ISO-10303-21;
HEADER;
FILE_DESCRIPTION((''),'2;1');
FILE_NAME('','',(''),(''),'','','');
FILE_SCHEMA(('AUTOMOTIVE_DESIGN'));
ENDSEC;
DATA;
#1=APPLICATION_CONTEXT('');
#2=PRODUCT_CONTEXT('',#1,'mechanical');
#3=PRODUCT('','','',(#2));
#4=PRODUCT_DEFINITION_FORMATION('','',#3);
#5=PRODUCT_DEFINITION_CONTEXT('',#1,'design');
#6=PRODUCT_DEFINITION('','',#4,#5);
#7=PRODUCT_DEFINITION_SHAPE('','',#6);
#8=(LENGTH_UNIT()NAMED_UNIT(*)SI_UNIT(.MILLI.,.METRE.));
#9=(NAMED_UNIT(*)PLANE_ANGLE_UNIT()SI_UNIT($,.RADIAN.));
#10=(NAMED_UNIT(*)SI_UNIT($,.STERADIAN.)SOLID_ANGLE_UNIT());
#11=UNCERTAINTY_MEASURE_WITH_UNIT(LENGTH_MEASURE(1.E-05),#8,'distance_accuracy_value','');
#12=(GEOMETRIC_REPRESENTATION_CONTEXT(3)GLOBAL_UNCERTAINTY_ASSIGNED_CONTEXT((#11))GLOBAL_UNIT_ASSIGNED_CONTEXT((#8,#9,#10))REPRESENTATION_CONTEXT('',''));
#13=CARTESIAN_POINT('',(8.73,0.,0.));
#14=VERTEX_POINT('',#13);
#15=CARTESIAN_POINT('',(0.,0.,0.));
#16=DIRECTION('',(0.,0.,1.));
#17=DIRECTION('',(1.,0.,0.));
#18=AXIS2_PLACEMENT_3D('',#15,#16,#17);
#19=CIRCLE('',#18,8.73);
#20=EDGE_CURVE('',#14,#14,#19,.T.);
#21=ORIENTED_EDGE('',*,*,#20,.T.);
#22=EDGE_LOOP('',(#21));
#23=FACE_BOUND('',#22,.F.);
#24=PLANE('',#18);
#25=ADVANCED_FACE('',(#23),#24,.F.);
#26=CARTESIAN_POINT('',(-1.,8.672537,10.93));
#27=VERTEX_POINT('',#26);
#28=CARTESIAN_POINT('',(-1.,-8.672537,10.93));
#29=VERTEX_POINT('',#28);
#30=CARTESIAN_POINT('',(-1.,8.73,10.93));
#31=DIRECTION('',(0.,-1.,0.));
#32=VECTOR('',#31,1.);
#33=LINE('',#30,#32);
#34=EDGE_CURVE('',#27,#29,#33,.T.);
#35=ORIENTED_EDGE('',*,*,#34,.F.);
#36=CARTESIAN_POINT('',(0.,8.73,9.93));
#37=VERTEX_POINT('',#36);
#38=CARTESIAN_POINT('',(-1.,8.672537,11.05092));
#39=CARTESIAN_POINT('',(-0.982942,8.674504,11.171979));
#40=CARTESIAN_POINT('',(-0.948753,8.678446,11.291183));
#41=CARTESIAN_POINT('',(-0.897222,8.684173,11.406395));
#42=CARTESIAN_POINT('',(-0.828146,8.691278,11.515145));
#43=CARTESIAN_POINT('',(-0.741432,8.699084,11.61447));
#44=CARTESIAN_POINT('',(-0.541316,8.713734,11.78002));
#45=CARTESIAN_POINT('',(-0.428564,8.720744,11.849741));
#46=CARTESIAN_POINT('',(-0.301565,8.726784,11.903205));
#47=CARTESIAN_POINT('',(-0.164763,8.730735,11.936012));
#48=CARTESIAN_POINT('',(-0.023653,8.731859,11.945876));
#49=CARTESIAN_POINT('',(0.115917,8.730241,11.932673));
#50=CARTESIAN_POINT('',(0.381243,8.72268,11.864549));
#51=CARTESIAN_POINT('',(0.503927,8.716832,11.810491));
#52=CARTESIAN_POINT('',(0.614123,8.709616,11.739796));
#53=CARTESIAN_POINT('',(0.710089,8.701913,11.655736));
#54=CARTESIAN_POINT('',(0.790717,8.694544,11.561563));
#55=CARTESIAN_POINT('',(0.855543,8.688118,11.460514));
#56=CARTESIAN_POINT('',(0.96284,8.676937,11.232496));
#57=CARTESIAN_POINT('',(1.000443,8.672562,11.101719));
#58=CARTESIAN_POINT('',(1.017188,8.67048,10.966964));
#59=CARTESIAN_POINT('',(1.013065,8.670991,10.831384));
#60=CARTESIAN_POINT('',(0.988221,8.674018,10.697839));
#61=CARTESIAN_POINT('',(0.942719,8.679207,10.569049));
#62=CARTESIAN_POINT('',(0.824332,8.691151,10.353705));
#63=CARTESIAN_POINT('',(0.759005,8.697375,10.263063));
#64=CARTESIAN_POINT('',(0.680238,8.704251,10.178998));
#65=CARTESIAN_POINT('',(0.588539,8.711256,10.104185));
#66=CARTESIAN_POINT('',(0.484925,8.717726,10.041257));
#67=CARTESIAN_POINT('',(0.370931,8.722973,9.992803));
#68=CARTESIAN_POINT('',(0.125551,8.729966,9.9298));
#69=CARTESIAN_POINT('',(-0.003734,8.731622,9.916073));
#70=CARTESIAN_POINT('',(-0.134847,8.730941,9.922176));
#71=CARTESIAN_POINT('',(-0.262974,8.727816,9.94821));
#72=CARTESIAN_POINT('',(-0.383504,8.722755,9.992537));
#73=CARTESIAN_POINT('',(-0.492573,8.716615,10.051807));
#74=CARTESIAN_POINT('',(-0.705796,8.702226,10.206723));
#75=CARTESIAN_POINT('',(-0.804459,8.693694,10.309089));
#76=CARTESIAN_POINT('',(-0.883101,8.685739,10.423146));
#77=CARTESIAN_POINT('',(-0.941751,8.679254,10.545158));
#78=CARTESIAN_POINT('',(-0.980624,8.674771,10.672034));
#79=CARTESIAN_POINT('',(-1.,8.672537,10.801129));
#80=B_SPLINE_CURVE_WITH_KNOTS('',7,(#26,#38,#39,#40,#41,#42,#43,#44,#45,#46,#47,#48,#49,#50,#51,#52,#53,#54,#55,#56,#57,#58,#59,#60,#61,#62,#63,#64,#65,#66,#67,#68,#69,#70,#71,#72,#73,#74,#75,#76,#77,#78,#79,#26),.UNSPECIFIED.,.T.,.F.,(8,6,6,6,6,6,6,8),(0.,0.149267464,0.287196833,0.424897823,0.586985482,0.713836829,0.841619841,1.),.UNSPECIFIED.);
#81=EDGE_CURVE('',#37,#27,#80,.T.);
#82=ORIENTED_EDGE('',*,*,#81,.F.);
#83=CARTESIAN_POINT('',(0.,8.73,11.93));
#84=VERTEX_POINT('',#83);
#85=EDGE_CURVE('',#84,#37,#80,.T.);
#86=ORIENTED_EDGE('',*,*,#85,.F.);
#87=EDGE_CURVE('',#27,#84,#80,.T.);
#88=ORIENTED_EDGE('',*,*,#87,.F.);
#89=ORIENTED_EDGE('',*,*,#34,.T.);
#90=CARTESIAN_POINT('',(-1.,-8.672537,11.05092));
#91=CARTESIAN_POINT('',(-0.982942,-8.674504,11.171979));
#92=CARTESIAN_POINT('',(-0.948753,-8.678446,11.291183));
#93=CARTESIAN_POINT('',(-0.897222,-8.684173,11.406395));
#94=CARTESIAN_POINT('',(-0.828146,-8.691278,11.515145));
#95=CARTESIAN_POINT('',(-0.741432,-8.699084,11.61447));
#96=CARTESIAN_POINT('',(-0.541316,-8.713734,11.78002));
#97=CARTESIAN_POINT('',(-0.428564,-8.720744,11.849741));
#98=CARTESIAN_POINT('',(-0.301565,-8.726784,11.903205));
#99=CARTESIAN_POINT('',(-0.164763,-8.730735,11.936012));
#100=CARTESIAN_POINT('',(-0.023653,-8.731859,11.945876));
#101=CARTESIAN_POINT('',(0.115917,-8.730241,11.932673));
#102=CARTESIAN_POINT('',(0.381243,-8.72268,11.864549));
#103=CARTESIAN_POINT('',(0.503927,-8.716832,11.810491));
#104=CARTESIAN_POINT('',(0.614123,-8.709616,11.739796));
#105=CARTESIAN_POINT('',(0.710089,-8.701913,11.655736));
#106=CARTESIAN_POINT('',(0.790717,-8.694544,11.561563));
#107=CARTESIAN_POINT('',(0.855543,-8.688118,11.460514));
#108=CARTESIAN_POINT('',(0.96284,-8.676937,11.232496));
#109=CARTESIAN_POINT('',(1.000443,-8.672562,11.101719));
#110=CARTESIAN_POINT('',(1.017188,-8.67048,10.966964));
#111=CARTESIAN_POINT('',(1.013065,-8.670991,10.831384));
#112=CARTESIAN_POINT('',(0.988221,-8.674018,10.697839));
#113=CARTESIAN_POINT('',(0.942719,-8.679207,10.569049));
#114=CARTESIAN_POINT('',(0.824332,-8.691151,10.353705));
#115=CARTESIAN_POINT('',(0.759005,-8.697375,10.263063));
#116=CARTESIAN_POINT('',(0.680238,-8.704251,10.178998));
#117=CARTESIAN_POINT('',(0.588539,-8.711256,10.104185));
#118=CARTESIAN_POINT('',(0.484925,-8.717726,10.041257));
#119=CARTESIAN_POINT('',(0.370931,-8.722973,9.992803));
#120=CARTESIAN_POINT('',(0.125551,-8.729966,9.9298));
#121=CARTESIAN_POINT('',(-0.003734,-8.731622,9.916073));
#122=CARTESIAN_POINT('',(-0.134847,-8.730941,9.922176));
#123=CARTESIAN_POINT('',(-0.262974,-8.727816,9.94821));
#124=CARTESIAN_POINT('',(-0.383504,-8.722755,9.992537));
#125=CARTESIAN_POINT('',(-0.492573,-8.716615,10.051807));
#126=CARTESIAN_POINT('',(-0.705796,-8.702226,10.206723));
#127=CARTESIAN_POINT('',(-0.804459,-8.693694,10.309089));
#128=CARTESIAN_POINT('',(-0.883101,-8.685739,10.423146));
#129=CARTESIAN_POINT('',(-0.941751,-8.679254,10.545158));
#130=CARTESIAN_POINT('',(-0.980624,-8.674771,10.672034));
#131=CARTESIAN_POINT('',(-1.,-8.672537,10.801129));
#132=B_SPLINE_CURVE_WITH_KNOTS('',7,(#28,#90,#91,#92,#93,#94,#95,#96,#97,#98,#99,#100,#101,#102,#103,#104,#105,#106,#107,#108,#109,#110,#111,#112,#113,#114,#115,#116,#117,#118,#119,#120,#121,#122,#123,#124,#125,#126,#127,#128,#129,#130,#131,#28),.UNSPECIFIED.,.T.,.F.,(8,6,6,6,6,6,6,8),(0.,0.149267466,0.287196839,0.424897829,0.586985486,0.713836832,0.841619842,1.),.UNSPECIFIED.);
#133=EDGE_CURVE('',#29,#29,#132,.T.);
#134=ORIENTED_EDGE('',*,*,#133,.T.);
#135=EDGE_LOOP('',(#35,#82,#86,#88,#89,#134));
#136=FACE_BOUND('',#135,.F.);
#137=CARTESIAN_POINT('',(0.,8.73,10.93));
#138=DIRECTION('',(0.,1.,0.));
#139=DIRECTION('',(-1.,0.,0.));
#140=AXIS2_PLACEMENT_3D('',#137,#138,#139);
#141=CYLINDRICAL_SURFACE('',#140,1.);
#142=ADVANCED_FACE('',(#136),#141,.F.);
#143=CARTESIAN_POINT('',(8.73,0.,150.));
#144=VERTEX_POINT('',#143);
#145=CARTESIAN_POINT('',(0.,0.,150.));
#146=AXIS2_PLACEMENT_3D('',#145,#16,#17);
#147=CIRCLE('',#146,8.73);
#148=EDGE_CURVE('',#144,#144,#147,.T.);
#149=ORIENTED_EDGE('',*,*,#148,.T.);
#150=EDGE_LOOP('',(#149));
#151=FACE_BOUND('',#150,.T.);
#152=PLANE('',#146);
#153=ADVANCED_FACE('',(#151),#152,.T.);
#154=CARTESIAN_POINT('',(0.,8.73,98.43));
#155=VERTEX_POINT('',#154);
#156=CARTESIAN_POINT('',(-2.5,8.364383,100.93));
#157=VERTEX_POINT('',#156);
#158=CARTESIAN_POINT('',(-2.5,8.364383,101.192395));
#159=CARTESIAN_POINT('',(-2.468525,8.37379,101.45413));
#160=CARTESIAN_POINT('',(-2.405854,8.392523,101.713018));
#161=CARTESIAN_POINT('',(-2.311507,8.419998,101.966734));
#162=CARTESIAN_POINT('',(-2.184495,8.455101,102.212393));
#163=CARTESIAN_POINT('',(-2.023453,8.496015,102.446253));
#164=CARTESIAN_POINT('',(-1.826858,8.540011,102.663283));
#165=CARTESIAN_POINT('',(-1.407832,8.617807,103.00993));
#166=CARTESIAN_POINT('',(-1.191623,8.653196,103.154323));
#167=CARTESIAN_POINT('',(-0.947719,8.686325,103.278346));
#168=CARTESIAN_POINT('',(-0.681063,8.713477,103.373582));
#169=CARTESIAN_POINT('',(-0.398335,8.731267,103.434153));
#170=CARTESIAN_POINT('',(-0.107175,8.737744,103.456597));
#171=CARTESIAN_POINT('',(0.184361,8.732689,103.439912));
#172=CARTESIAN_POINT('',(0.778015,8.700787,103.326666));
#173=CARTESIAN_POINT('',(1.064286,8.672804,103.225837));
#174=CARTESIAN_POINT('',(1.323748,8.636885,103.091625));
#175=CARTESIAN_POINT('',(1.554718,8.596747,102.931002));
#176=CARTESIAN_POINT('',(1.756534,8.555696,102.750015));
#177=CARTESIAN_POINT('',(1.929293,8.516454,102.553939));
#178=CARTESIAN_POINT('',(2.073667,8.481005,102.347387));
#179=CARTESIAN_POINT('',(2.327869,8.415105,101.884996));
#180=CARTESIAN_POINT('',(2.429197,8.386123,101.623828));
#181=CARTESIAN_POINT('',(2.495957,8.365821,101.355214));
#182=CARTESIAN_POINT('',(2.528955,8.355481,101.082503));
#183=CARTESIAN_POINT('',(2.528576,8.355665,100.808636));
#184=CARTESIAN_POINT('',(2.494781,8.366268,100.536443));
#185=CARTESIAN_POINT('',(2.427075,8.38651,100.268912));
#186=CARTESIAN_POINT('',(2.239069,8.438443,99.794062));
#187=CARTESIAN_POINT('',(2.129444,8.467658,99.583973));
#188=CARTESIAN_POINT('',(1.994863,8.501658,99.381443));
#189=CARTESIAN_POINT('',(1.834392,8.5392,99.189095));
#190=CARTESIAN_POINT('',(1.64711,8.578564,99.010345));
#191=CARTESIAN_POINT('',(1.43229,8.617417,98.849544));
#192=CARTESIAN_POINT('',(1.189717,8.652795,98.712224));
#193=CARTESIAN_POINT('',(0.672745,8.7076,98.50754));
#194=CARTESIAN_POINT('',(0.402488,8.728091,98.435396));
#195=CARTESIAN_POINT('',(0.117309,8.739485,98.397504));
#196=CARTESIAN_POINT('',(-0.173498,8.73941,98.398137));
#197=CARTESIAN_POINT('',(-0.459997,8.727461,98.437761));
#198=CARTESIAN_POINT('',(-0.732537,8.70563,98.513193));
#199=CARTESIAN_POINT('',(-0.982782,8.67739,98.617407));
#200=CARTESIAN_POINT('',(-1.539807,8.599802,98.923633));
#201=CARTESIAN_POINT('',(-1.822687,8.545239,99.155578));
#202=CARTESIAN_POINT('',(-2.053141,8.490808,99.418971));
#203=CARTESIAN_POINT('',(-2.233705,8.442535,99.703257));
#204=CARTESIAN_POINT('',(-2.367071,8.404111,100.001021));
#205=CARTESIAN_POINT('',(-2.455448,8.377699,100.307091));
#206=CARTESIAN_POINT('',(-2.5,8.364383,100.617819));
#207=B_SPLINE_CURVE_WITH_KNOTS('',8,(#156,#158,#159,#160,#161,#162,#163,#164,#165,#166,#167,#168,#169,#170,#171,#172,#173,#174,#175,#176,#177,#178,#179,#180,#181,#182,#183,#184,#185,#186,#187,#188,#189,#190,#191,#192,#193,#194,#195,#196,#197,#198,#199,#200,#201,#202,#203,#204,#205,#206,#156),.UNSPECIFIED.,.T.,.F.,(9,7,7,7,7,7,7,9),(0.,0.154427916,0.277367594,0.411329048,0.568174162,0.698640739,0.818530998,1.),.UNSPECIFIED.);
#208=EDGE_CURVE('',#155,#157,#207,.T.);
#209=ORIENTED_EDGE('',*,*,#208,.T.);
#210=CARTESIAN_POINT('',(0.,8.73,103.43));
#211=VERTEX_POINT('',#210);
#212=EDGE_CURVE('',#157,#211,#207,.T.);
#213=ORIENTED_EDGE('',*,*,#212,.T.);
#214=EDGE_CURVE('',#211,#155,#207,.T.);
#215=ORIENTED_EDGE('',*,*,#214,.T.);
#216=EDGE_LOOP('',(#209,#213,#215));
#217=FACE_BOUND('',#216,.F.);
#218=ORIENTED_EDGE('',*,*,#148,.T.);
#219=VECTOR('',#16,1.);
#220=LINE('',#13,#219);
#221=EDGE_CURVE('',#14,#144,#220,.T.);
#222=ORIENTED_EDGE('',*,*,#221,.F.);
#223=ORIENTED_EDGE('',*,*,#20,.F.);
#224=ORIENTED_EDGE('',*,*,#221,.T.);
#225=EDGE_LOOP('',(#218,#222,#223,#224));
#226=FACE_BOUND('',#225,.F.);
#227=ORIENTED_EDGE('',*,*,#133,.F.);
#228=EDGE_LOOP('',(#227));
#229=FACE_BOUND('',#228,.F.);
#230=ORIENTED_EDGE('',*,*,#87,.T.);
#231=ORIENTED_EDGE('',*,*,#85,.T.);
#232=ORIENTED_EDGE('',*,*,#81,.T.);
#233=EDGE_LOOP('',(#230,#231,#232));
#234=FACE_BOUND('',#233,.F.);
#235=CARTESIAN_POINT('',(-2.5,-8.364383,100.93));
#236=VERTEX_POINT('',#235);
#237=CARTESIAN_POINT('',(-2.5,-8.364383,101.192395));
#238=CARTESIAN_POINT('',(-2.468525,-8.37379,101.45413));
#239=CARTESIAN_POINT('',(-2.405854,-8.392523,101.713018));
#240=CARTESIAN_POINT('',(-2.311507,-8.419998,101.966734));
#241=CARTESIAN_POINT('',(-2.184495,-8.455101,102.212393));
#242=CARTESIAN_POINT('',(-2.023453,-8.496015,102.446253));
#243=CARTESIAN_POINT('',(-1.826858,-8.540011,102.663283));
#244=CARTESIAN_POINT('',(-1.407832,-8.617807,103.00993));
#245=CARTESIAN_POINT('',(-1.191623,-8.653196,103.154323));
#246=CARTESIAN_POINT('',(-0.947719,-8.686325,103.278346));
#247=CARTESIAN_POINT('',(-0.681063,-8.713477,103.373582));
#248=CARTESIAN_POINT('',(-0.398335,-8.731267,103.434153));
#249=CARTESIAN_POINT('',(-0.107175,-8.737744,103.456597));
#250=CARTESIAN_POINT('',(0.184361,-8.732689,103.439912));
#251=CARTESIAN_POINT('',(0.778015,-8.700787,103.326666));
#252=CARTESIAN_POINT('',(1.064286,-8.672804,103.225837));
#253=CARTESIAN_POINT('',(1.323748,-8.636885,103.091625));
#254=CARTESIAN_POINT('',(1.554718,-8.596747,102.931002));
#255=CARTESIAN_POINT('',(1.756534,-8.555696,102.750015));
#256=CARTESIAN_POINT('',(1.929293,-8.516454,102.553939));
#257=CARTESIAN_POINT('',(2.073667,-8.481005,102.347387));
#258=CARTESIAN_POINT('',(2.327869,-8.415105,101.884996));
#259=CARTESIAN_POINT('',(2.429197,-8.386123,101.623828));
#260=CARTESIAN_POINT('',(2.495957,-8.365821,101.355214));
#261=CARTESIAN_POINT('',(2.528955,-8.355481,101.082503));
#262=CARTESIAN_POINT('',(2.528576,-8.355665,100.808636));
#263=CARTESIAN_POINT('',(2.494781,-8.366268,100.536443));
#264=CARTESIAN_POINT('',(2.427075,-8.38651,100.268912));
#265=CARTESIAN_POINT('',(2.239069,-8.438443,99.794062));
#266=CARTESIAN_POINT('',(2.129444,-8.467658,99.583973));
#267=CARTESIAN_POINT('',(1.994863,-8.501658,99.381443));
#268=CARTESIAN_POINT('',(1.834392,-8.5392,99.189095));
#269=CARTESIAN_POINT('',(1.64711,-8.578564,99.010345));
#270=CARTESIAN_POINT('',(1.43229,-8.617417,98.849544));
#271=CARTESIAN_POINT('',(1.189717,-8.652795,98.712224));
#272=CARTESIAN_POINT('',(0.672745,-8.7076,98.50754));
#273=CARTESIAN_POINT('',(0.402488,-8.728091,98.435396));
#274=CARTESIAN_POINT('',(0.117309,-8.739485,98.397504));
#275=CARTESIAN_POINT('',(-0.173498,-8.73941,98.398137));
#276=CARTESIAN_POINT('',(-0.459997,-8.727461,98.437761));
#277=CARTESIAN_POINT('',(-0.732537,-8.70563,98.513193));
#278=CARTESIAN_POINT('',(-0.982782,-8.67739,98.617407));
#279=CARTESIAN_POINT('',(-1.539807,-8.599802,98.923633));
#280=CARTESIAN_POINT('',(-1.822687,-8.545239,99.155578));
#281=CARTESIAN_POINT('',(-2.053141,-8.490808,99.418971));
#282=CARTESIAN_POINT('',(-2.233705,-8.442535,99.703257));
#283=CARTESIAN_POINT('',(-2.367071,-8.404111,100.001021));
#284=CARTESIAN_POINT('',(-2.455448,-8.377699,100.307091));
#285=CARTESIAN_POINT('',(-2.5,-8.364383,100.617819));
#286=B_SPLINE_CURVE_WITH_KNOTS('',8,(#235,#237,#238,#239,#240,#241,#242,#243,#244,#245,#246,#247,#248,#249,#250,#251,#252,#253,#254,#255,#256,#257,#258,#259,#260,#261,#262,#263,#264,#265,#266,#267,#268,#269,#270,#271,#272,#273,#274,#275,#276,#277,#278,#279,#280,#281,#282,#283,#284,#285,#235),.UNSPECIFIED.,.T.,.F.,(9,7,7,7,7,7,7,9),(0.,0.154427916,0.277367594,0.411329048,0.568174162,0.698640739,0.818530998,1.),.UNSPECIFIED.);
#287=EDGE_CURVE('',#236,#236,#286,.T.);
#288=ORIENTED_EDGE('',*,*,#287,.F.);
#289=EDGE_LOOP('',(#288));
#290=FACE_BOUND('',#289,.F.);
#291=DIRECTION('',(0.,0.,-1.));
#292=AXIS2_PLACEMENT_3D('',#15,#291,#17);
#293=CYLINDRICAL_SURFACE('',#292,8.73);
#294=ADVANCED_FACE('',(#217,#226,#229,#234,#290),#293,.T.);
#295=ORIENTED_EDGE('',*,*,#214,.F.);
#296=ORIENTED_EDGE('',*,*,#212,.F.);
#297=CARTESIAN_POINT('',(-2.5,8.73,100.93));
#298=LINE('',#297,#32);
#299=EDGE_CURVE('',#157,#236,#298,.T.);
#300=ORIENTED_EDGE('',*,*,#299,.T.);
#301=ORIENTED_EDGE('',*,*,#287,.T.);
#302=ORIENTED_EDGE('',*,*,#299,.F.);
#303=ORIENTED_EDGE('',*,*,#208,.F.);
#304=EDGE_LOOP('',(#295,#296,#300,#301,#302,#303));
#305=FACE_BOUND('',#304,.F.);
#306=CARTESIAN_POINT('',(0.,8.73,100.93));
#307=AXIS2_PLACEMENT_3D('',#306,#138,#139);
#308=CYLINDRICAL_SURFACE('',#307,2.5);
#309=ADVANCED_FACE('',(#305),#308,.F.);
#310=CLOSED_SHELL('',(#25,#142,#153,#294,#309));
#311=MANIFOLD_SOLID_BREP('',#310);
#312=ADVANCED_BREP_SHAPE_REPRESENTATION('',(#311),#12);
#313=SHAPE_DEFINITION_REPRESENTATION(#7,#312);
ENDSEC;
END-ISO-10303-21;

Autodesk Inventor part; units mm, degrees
ref_plane "YZ Plane" through (0, 0, 0) normal (1, 0, 0) x (0, 1, 0)
ref_plane "XZ Plane" through (0, 0, 0) normal (0, 1, 0) x (-1, 0, 0)
sketch "Boceto1" plane through (0, 0, 0) normal (0, 0, 1) x (1, 0, 0)
  circle A0 centre (0, 0) radius 8.73
  dimension "d0" = 17.46
extrude "Extrusión1" add sketch "Boceto1" along normal blind 150
sketch "Boceto2" plane through (0, 0, 0) normal (0, 0, -1) x (-1, 0, 0)
  circle A0 centre (0, 0) radius 8.73 projected
  point P0 (0, 8.73)
ref_plane "Plano de trabajo1" through (0, 8.73, 0) normal (0, 1, 0) x (-1, 0, 0)
sketch "Boceto3" plane through (0, 8.73, 0) normal (0, 1, 0) x (-1, 0, 0)
  line L0 (0, 0) -> (0, 10.93)
  circle A0 centre (0, 10.93) radius 1
  circle A1 centre (0, 100.93) radius 2.5
  dimension "d3" = 10.93
  dimension "d4" = 2
  dimension "d7" = 5
  dimension "d8" = 90
extrude "Extrusión2" cut sketch "Boceto3" against normal through all
properties part number "Barra_circular_soporte"
